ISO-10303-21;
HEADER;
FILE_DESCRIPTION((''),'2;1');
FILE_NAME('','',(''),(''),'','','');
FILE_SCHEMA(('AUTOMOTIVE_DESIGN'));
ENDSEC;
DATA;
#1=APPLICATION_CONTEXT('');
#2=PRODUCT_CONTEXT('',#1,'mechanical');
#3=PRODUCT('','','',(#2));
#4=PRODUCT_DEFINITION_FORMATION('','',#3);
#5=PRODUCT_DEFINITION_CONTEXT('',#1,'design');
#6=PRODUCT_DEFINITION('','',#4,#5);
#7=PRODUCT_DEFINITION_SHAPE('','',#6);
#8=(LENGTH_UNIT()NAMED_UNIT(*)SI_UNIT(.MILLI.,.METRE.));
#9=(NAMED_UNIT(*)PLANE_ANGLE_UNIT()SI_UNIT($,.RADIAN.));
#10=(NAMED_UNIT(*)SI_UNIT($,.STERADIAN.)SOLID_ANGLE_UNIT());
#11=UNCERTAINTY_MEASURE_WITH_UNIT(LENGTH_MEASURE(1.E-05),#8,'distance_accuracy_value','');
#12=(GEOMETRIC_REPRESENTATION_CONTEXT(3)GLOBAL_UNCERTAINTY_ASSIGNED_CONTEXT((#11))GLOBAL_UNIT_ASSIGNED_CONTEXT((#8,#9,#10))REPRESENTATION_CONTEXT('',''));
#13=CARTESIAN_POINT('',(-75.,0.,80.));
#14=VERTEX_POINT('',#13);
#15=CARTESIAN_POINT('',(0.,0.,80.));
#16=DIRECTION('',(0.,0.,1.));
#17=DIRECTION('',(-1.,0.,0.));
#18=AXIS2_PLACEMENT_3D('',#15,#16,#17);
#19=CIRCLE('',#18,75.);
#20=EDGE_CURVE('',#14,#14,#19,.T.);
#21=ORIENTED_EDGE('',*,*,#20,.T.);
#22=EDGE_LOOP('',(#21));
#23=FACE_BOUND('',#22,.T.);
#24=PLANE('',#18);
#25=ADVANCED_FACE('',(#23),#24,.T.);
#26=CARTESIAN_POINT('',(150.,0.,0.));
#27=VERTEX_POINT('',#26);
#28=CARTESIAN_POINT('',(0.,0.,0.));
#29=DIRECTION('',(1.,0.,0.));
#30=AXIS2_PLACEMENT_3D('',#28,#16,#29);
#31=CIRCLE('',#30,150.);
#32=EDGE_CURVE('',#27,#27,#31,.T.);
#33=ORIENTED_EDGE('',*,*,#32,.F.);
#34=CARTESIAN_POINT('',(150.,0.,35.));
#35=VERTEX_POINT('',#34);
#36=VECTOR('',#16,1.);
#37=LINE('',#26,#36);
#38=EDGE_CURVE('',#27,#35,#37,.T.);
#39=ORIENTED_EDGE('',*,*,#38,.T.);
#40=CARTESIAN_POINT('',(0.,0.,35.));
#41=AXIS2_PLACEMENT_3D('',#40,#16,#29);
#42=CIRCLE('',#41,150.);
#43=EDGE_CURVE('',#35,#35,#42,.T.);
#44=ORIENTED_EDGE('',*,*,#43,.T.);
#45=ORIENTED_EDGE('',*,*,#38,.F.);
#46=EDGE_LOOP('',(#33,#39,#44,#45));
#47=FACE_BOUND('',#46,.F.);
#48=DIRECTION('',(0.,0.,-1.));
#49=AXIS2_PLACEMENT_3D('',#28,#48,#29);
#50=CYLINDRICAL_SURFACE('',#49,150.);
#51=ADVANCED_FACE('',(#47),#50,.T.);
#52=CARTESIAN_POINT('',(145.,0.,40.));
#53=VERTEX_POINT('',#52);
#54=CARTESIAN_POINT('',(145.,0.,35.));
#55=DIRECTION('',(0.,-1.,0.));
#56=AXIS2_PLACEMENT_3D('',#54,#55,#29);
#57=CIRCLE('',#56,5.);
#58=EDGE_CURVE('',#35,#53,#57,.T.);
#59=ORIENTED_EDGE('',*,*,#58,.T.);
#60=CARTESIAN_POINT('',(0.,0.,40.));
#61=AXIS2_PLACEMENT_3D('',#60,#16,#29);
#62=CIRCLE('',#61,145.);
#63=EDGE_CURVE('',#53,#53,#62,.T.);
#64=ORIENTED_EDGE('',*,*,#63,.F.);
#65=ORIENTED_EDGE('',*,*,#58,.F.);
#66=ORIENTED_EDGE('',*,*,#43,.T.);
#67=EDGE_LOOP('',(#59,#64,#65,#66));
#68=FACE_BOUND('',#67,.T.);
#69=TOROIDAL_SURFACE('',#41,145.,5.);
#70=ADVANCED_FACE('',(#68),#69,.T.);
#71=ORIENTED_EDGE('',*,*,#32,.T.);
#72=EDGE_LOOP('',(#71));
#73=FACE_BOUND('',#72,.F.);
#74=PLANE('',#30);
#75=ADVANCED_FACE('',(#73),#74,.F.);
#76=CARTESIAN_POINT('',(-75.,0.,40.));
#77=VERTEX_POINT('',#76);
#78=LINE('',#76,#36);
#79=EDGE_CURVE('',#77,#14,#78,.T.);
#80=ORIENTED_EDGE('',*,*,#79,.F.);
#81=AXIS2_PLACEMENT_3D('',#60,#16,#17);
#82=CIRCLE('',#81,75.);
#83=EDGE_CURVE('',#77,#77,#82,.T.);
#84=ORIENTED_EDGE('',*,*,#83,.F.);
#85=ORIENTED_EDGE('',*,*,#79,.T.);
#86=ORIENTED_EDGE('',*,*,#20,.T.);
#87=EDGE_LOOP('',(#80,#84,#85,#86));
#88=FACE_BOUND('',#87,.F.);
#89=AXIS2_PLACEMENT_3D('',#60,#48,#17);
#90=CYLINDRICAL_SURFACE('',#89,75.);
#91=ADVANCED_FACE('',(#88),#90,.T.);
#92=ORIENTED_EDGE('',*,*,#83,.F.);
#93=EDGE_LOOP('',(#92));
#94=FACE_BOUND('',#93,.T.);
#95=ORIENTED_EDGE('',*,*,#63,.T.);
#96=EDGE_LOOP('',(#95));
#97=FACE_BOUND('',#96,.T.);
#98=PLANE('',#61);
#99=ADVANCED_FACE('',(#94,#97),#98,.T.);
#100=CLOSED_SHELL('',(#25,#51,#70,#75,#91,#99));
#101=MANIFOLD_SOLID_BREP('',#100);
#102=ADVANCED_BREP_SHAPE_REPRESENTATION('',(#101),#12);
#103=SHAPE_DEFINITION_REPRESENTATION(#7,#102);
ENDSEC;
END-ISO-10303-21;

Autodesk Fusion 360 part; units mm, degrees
sketch "Sketch1" plane through (0, 0, 0) normal (0, 0, 1) x (1, 0, 0)
  circle A0 centre (0, 0) radius 150
extrude "Extrude1" add sketch "Sketch1" along normal blind 40
sketch "Sketch2" plane through (0, 0, 40) normal (0, 0, 1) x (-1, 0, 0)
  circle A0 centre (0, 0) radius 150
  circle A1 centre (0, 0) radius 75
extrude "Extrude2" add sketch "Sketch2" along normal blind 40 contours A1
fillet "Fillet1" radius 5 1 edges at (-139.8491, -54.2423, 40)
